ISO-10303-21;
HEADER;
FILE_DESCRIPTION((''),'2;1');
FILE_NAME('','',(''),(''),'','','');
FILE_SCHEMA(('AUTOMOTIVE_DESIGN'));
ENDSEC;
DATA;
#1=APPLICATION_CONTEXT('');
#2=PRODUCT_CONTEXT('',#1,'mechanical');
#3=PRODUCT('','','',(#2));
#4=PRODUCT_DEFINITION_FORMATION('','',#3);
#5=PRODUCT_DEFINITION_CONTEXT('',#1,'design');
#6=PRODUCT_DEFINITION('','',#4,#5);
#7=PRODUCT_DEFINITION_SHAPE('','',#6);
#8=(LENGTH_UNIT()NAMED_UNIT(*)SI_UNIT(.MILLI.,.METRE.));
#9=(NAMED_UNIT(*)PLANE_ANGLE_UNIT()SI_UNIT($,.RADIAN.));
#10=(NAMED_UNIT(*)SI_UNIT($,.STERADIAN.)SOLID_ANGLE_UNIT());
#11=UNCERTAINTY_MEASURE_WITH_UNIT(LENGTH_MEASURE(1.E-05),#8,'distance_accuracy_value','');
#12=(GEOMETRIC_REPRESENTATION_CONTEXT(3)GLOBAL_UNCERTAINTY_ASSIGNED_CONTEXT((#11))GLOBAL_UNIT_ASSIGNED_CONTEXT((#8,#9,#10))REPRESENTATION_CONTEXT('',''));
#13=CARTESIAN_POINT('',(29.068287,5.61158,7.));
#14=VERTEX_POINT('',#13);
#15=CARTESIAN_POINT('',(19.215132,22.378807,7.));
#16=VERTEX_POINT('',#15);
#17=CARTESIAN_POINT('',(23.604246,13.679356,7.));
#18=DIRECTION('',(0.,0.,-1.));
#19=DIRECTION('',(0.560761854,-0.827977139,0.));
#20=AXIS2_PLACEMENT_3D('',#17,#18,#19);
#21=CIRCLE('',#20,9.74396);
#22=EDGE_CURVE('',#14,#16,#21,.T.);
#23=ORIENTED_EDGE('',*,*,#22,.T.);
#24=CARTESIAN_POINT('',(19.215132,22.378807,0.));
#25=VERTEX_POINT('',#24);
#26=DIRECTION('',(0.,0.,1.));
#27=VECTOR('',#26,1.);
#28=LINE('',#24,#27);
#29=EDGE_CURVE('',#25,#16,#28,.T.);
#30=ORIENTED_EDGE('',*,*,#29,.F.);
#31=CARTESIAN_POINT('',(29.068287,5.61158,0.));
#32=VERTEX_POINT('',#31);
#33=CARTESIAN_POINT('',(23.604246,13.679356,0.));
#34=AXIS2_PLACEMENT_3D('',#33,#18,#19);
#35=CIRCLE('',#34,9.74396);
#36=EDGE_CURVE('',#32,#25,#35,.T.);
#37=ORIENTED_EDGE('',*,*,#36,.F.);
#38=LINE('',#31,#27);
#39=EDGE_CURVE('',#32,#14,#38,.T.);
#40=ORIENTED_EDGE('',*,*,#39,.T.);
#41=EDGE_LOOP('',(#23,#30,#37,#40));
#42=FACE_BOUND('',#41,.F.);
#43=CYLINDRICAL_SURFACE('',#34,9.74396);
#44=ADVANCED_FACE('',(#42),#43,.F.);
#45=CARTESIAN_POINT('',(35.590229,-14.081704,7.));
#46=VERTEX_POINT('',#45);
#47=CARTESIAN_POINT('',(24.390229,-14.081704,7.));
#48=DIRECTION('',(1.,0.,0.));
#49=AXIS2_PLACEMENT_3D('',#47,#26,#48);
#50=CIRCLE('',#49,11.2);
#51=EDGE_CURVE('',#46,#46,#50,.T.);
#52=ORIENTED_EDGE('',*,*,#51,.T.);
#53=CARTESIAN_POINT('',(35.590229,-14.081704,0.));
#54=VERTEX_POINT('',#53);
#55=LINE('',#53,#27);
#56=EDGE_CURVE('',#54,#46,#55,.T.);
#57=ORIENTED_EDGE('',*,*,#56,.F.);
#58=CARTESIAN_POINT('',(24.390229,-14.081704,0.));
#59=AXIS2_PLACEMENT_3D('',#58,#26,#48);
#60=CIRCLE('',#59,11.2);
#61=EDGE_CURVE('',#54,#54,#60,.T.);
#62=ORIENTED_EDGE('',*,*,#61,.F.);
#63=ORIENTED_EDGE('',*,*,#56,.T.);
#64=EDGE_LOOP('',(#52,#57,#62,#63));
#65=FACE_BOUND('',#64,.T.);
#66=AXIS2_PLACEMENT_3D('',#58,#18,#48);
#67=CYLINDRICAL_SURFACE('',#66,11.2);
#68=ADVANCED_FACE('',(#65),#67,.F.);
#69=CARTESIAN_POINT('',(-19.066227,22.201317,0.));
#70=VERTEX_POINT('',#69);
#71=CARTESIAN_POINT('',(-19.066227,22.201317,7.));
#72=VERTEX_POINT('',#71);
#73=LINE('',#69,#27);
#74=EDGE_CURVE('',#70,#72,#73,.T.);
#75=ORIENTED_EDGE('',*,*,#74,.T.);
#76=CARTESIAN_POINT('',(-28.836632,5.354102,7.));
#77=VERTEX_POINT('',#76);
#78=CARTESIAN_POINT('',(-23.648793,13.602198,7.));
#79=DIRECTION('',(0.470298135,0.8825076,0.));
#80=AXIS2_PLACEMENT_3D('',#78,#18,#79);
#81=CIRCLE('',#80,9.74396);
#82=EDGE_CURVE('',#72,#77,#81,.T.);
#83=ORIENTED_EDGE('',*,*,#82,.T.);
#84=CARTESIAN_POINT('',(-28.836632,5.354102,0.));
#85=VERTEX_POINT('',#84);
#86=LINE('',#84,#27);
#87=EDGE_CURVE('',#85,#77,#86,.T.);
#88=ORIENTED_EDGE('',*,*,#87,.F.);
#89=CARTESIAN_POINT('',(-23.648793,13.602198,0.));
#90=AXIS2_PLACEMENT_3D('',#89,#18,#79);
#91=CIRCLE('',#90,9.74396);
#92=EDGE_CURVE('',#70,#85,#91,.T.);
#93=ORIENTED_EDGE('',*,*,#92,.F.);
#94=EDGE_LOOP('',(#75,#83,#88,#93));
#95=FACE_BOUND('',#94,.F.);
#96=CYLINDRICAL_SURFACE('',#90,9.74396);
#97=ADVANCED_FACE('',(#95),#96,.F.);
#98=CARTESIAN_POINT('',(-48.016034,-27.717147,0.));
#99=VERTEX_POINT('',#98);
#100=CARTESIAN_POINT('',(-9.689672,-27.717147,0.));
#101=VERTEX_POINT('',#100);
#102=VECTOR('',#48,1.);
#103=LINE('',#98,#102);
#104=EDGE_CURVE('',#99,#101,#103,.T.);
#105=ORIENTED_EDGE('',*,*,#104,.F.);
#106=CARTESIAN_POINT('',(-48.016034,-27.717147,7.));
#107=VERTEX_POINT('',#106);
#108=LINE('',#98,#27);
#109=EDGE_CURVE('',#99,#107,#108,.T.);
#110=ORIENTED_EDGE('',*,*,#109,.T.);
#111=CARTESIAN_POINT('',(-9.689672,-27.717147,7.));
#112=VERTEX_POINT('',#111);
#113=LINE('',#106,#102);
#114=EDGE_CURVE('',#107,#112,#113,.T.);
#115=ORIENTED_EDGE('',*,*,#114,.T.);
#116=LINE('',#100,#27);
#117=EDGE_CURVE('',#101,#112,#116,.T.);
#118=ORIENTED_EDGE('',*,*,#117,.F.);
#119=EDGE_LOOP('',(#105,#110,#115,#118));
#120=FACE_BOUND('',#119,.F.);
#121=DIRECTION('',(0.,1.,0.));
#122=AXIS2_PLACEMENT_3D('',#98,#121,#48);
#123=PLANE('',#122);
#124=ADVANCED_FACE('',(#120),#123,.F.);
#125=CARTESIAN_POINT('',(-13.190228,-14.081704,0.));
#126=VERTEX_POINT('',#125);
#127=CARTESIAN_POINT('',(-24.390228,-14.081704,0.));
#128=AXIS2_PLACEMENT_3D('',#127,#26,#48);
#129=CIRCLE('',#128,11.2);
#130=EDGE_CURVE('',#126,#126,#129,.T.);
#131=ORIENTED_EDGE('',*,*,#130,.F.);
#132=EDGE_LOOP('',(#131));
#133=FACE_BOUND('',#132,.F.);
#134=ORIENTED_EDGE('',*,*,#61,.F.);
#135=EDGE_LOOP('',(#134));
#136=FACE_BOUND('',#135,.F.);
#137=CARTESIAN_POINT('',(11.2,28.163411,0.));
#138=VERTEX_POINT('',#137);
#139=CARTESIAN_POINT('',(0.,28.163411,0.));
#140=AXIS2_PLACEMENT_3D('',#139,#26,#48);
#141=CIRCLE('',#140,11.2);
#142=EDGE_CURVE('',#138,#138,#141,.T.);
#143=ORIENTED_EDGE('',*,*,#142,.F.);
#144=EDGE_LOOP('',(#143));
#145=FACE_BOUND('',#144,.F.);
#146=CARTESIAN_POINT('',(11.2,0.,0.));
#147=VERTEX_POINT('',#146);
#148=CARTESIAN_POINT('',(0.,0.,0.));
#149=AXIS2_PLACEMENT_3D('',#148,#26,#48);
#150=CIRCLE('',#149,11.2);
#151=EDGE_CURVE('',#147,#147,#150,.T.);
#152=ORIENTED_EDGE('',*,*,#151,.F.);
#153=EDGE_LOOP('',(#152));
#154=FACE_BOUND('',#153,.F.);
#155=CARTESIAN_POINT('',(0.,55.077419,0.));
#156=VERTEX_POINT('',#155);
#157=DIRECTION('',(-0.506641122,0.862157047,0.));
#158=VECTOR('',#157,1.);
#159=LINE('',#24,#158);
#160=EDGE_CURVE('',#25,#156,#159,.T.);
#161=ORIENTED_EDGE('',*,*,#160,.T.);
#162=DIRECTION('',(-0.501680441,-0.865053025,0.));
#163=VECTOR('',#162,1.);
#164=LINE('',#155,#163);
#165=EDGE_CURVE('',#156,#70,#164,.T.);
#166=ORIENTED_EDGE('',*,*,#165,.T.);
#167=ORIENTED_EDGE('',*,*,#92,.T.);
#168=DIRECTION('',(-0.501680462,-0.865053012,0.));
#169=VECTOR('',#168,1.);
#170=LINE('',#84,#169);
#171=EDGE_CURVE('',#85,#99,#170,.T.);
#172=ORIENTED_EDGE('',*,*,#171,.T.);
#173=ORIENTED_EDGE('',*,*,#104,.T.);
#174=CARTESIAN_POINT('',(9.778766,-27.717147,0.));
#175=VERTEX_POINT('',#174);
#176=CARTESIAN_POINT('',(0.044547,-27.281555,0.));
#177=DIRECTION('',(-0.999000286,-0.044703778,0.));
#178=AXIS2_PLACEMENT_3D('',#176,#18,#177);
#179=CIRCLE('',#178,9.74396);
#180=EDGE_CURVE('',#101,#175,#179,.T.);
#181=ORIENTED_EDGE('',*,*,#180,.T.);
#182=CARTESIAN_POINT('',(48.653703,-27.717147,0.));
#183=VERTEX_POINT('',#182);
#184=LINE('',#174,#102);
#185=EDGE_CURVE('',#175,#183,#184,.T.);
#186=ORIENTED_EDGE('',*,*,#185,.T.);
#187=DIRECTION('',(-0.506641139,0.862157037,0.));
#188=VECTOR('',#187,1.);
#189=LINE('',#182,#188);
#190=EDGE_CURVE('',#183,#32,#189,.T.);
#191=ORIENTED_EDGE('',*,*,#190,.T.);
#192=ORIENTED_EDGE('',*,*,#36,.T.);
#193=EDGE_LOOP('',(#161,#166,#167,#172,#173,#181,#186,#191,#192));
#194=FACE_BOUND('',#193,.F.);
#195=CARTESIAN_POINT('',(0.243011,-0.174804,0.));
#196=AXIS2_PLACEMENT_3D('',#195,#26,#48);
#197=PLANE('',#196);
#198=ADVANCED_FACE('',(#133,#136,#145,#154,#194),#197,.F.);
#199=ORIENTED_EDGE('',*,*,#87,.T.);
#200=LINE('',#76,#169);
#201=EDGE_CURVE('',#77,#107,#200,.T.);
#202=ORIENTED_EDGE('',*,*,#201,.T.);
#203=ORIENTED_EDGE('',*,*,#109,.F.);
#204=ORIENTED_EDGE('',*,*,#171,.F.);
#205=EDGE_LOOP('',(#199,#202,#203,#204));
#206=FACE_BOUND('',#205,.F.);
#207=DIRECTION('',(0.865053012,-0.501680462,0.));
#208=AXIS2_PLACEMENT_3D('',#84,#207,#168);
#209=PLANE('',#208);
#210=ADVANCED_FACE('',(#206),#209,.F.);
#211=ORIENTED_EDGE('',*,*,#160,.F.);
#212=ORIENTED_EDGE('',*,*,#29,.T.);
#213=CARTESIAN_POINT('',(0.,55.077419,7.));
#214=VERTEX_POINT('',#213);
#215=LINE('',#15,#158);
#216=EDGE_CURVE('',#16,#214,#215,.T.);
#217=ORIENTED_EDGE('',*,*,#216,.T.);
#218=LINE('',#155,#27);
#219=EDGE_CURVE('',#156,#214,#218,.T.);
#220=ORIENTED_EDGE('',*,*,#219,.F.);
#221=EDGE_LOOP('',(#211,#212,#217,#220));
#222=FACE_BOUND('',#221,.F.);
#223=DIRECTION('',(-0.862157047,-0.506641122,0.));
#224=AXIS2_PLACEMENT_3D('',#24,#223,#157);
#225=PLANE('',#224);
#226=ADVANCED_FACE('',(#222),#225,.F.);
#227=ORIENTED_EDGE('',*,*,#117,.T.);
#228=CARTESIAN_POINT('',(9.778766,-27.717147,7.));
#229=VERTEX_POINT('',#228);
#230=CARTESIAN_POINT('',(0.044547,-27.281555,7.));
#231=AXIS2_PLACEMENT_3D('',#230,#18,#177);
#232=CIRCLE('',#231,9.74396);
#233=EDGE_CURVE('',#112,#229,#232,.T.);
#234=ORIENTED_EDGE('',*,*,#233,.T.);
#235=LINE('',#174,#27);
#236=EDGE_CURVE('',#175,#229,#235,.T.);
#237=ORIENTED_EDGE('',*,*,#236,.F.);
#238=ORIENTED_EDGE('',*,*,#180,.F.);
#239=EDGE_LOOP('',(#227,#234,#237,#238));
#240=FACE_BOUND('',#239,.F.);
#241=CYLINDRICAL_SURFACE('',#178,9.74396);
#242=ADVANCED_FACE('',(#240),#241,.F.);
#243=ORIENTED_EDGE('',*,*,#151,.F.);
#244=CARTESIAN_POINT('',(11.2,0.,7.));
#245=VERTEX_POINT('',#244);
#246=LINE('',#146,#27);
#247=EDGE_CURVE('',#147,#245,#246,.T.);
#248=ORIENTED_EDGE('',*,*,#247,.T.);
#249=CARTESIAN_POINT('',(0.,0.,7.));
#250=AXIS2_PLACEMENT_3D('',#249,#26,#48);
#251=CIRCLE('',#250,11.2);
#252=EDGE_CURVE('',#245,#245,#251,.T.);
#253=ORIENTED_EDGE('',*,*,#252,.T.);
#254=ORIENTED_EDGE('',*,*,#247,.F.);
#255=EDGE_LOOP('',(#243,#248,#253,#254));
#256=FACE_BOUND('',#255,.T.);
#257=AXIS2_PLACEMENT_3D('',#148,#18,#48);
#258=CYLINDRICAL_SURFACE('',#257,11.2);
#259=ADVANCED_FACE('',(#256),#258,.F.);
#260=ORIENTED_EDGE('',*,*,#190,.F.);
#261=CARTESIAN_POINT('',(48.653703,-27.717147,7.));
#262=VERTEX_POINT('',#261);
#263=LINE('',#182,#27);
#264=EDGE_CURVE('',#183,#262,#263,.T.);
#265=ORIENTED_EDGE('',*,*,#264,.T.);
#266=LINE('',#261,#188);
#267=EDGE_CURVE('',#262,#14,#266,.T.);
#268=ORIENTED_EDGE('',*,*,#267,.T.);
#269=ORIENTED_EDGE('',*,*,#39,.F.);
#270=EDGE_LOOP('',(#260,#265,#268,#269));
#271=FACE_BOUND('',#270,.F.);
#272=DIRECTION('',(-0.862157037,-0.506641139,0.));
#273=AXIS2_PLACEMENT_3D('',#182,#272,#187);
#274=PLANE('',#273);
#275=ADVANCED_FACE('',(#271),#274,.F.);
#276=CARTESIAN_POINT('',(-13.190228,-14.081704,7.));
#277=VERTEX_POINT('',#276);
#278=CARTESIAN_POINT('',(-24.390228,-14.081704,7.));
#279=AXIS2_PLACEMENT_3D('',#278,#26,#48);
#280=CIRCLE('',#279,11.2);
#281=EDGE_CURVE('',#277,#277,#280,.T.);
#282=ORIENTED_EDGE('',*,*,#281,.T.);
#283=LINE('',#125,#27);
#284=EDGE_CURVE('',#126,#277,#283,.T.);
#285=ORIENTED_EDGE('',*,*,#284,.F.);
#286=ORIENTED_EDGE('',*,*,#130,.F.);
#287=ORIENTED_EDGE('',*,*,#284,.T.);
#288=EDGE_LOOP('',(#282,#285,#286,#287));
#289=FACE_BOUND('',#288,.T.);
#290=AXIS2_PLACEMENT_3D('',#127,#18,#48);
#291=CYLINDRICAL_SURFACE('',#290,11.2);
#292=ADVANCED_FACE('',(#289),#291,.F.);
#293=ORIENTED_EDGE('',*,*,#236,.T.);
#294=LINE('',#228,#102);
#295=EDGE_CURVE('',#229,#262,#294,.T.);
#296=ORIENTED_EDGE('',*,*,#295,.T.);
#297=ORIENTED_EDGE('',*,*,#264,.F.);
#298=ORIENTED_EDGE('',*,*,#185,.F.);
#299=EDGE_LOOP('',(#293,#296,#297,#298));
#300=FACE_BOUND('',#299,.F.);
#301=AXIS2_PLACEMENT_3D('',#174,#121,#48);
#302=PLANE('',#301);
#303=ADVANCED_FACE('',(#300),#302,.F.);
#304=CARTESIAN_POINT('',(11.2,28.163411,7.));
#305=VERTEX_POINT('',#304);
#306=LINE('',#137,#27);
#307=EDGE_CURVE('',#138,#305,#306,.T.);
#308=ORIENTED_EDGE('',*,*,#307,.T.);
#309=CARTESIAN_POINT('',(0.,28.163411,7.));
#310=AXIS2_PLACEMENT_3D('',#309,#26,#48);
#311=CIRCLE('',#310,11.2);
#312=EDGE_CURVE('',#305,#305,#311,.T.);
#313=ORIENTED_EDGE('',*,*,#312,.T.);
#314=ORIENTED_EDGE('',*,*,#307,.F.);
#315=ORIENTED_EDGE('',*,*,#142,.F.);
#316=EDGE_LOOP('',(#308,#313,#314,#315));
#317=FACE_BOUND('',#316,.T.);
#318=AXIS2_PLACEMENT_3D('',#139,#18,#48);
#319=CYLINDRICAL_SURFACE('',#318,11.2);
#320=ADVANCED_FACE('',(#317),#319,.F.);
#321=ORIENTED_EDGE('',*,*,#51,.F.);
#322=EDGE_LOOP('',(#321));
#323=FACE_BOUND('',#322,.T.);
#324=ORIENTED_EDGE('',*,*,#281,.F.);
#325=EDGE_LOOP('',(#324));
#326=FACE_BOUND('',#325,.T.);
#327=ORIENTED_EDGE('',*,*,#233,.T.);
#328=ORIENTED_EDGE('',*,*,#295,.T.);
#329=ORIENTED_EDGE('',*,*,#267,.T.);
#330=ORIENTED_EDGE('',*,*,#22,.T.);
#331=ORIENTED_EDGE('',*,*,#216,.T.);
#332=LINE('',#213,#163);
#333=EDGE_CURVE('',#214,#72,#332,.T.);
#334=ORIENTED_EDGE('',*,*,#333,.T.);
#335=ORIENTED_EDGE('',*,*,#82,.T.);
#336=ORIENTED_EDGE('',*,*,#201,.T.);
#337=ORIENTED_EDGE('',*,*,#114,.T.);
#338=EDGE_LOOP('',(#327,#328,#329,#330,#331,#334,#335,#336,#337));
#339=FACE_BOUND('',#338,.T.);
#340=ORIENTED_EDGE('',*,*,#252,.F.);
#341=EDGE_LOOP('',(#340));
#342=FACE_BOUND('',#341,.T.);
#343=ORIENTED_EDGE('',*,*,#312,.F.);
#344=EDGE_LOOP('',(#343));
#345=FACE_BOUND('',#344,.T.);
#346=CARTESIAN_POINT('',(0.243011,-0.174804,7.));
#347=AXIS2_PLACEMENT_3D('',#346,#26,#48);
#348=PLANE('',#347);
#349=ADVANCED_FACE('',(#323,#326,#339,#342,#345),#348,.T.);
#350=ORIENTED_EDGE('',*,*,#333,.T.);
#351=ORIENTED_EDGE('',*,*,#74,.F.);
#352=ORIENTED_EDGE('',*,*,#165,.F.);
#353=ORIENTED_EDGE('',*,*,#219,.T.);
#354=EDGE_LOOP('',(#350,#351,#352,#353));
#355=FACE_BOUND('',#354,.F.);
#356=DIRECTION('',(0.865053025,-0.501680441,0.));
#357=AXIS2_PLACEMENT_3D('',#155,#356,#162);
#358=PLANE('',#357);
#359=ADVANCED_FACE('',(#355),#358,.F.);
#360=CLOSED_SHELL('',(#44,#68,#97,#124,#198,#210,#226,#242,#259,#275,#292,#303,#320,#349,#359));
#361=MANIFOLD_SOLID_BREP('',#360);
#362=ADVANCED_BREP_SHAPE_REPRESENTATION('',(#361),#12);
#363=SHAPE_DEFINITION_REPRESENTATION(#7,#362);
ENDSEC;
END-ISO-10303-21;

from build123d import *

# Parameters (mm, degrees)
F0_R     = 11.2
F1_DEPTH = 7


with BuildPart() as f1:
    # F0 (on Top) → F1 (new body)
    with BuildSketch(Plane.XY):
        with BuildLine():
            Line((19.215132, 22.378807), (0, 55.077419))
            Line((0, 55.077419), (-19.066227, 22.201317))
            ThreePointArc((-19.066227, 22.201317), (-15.219751, 8.713844), (-28.836632, 5.354102))
            Line((-28.836632, 5.354102), (-48.016034, -27.717147))
            Line((-48.016034, -27.717147), (-9.689672, -27.717147))
            ThreePointArc((-9.689672, -27.717147), (0.044547, -17.537595), (9.778766, -27.717147))
            Line((9.778766, -27.717147), (48.653703, -27.717147))
            Line((48.653703, -27.717147), (29.068287, 5.61158))
            ThreePointArc((29.068287, 5.61158), (15.203422, 8.742665), (19.215132, 22.378807))
        make_face()
        with Locations((-24.390228, -14.081704)):
            Circle(F0_R, mode=Mode.SUBTRACT)
        Circle(F0_R, mode=Mode.SUBTRACT)
        with Locations((24.390229, -14.081704)):
            Circle(F0_R, mode=Mode.SUBTRACT)
        with Locations((0, 28.163411)):
            Circle(F0_R, mode=Mode.SUBTRACT)
    extrude(amount=F1_DEPTH)


solid = f1.part
